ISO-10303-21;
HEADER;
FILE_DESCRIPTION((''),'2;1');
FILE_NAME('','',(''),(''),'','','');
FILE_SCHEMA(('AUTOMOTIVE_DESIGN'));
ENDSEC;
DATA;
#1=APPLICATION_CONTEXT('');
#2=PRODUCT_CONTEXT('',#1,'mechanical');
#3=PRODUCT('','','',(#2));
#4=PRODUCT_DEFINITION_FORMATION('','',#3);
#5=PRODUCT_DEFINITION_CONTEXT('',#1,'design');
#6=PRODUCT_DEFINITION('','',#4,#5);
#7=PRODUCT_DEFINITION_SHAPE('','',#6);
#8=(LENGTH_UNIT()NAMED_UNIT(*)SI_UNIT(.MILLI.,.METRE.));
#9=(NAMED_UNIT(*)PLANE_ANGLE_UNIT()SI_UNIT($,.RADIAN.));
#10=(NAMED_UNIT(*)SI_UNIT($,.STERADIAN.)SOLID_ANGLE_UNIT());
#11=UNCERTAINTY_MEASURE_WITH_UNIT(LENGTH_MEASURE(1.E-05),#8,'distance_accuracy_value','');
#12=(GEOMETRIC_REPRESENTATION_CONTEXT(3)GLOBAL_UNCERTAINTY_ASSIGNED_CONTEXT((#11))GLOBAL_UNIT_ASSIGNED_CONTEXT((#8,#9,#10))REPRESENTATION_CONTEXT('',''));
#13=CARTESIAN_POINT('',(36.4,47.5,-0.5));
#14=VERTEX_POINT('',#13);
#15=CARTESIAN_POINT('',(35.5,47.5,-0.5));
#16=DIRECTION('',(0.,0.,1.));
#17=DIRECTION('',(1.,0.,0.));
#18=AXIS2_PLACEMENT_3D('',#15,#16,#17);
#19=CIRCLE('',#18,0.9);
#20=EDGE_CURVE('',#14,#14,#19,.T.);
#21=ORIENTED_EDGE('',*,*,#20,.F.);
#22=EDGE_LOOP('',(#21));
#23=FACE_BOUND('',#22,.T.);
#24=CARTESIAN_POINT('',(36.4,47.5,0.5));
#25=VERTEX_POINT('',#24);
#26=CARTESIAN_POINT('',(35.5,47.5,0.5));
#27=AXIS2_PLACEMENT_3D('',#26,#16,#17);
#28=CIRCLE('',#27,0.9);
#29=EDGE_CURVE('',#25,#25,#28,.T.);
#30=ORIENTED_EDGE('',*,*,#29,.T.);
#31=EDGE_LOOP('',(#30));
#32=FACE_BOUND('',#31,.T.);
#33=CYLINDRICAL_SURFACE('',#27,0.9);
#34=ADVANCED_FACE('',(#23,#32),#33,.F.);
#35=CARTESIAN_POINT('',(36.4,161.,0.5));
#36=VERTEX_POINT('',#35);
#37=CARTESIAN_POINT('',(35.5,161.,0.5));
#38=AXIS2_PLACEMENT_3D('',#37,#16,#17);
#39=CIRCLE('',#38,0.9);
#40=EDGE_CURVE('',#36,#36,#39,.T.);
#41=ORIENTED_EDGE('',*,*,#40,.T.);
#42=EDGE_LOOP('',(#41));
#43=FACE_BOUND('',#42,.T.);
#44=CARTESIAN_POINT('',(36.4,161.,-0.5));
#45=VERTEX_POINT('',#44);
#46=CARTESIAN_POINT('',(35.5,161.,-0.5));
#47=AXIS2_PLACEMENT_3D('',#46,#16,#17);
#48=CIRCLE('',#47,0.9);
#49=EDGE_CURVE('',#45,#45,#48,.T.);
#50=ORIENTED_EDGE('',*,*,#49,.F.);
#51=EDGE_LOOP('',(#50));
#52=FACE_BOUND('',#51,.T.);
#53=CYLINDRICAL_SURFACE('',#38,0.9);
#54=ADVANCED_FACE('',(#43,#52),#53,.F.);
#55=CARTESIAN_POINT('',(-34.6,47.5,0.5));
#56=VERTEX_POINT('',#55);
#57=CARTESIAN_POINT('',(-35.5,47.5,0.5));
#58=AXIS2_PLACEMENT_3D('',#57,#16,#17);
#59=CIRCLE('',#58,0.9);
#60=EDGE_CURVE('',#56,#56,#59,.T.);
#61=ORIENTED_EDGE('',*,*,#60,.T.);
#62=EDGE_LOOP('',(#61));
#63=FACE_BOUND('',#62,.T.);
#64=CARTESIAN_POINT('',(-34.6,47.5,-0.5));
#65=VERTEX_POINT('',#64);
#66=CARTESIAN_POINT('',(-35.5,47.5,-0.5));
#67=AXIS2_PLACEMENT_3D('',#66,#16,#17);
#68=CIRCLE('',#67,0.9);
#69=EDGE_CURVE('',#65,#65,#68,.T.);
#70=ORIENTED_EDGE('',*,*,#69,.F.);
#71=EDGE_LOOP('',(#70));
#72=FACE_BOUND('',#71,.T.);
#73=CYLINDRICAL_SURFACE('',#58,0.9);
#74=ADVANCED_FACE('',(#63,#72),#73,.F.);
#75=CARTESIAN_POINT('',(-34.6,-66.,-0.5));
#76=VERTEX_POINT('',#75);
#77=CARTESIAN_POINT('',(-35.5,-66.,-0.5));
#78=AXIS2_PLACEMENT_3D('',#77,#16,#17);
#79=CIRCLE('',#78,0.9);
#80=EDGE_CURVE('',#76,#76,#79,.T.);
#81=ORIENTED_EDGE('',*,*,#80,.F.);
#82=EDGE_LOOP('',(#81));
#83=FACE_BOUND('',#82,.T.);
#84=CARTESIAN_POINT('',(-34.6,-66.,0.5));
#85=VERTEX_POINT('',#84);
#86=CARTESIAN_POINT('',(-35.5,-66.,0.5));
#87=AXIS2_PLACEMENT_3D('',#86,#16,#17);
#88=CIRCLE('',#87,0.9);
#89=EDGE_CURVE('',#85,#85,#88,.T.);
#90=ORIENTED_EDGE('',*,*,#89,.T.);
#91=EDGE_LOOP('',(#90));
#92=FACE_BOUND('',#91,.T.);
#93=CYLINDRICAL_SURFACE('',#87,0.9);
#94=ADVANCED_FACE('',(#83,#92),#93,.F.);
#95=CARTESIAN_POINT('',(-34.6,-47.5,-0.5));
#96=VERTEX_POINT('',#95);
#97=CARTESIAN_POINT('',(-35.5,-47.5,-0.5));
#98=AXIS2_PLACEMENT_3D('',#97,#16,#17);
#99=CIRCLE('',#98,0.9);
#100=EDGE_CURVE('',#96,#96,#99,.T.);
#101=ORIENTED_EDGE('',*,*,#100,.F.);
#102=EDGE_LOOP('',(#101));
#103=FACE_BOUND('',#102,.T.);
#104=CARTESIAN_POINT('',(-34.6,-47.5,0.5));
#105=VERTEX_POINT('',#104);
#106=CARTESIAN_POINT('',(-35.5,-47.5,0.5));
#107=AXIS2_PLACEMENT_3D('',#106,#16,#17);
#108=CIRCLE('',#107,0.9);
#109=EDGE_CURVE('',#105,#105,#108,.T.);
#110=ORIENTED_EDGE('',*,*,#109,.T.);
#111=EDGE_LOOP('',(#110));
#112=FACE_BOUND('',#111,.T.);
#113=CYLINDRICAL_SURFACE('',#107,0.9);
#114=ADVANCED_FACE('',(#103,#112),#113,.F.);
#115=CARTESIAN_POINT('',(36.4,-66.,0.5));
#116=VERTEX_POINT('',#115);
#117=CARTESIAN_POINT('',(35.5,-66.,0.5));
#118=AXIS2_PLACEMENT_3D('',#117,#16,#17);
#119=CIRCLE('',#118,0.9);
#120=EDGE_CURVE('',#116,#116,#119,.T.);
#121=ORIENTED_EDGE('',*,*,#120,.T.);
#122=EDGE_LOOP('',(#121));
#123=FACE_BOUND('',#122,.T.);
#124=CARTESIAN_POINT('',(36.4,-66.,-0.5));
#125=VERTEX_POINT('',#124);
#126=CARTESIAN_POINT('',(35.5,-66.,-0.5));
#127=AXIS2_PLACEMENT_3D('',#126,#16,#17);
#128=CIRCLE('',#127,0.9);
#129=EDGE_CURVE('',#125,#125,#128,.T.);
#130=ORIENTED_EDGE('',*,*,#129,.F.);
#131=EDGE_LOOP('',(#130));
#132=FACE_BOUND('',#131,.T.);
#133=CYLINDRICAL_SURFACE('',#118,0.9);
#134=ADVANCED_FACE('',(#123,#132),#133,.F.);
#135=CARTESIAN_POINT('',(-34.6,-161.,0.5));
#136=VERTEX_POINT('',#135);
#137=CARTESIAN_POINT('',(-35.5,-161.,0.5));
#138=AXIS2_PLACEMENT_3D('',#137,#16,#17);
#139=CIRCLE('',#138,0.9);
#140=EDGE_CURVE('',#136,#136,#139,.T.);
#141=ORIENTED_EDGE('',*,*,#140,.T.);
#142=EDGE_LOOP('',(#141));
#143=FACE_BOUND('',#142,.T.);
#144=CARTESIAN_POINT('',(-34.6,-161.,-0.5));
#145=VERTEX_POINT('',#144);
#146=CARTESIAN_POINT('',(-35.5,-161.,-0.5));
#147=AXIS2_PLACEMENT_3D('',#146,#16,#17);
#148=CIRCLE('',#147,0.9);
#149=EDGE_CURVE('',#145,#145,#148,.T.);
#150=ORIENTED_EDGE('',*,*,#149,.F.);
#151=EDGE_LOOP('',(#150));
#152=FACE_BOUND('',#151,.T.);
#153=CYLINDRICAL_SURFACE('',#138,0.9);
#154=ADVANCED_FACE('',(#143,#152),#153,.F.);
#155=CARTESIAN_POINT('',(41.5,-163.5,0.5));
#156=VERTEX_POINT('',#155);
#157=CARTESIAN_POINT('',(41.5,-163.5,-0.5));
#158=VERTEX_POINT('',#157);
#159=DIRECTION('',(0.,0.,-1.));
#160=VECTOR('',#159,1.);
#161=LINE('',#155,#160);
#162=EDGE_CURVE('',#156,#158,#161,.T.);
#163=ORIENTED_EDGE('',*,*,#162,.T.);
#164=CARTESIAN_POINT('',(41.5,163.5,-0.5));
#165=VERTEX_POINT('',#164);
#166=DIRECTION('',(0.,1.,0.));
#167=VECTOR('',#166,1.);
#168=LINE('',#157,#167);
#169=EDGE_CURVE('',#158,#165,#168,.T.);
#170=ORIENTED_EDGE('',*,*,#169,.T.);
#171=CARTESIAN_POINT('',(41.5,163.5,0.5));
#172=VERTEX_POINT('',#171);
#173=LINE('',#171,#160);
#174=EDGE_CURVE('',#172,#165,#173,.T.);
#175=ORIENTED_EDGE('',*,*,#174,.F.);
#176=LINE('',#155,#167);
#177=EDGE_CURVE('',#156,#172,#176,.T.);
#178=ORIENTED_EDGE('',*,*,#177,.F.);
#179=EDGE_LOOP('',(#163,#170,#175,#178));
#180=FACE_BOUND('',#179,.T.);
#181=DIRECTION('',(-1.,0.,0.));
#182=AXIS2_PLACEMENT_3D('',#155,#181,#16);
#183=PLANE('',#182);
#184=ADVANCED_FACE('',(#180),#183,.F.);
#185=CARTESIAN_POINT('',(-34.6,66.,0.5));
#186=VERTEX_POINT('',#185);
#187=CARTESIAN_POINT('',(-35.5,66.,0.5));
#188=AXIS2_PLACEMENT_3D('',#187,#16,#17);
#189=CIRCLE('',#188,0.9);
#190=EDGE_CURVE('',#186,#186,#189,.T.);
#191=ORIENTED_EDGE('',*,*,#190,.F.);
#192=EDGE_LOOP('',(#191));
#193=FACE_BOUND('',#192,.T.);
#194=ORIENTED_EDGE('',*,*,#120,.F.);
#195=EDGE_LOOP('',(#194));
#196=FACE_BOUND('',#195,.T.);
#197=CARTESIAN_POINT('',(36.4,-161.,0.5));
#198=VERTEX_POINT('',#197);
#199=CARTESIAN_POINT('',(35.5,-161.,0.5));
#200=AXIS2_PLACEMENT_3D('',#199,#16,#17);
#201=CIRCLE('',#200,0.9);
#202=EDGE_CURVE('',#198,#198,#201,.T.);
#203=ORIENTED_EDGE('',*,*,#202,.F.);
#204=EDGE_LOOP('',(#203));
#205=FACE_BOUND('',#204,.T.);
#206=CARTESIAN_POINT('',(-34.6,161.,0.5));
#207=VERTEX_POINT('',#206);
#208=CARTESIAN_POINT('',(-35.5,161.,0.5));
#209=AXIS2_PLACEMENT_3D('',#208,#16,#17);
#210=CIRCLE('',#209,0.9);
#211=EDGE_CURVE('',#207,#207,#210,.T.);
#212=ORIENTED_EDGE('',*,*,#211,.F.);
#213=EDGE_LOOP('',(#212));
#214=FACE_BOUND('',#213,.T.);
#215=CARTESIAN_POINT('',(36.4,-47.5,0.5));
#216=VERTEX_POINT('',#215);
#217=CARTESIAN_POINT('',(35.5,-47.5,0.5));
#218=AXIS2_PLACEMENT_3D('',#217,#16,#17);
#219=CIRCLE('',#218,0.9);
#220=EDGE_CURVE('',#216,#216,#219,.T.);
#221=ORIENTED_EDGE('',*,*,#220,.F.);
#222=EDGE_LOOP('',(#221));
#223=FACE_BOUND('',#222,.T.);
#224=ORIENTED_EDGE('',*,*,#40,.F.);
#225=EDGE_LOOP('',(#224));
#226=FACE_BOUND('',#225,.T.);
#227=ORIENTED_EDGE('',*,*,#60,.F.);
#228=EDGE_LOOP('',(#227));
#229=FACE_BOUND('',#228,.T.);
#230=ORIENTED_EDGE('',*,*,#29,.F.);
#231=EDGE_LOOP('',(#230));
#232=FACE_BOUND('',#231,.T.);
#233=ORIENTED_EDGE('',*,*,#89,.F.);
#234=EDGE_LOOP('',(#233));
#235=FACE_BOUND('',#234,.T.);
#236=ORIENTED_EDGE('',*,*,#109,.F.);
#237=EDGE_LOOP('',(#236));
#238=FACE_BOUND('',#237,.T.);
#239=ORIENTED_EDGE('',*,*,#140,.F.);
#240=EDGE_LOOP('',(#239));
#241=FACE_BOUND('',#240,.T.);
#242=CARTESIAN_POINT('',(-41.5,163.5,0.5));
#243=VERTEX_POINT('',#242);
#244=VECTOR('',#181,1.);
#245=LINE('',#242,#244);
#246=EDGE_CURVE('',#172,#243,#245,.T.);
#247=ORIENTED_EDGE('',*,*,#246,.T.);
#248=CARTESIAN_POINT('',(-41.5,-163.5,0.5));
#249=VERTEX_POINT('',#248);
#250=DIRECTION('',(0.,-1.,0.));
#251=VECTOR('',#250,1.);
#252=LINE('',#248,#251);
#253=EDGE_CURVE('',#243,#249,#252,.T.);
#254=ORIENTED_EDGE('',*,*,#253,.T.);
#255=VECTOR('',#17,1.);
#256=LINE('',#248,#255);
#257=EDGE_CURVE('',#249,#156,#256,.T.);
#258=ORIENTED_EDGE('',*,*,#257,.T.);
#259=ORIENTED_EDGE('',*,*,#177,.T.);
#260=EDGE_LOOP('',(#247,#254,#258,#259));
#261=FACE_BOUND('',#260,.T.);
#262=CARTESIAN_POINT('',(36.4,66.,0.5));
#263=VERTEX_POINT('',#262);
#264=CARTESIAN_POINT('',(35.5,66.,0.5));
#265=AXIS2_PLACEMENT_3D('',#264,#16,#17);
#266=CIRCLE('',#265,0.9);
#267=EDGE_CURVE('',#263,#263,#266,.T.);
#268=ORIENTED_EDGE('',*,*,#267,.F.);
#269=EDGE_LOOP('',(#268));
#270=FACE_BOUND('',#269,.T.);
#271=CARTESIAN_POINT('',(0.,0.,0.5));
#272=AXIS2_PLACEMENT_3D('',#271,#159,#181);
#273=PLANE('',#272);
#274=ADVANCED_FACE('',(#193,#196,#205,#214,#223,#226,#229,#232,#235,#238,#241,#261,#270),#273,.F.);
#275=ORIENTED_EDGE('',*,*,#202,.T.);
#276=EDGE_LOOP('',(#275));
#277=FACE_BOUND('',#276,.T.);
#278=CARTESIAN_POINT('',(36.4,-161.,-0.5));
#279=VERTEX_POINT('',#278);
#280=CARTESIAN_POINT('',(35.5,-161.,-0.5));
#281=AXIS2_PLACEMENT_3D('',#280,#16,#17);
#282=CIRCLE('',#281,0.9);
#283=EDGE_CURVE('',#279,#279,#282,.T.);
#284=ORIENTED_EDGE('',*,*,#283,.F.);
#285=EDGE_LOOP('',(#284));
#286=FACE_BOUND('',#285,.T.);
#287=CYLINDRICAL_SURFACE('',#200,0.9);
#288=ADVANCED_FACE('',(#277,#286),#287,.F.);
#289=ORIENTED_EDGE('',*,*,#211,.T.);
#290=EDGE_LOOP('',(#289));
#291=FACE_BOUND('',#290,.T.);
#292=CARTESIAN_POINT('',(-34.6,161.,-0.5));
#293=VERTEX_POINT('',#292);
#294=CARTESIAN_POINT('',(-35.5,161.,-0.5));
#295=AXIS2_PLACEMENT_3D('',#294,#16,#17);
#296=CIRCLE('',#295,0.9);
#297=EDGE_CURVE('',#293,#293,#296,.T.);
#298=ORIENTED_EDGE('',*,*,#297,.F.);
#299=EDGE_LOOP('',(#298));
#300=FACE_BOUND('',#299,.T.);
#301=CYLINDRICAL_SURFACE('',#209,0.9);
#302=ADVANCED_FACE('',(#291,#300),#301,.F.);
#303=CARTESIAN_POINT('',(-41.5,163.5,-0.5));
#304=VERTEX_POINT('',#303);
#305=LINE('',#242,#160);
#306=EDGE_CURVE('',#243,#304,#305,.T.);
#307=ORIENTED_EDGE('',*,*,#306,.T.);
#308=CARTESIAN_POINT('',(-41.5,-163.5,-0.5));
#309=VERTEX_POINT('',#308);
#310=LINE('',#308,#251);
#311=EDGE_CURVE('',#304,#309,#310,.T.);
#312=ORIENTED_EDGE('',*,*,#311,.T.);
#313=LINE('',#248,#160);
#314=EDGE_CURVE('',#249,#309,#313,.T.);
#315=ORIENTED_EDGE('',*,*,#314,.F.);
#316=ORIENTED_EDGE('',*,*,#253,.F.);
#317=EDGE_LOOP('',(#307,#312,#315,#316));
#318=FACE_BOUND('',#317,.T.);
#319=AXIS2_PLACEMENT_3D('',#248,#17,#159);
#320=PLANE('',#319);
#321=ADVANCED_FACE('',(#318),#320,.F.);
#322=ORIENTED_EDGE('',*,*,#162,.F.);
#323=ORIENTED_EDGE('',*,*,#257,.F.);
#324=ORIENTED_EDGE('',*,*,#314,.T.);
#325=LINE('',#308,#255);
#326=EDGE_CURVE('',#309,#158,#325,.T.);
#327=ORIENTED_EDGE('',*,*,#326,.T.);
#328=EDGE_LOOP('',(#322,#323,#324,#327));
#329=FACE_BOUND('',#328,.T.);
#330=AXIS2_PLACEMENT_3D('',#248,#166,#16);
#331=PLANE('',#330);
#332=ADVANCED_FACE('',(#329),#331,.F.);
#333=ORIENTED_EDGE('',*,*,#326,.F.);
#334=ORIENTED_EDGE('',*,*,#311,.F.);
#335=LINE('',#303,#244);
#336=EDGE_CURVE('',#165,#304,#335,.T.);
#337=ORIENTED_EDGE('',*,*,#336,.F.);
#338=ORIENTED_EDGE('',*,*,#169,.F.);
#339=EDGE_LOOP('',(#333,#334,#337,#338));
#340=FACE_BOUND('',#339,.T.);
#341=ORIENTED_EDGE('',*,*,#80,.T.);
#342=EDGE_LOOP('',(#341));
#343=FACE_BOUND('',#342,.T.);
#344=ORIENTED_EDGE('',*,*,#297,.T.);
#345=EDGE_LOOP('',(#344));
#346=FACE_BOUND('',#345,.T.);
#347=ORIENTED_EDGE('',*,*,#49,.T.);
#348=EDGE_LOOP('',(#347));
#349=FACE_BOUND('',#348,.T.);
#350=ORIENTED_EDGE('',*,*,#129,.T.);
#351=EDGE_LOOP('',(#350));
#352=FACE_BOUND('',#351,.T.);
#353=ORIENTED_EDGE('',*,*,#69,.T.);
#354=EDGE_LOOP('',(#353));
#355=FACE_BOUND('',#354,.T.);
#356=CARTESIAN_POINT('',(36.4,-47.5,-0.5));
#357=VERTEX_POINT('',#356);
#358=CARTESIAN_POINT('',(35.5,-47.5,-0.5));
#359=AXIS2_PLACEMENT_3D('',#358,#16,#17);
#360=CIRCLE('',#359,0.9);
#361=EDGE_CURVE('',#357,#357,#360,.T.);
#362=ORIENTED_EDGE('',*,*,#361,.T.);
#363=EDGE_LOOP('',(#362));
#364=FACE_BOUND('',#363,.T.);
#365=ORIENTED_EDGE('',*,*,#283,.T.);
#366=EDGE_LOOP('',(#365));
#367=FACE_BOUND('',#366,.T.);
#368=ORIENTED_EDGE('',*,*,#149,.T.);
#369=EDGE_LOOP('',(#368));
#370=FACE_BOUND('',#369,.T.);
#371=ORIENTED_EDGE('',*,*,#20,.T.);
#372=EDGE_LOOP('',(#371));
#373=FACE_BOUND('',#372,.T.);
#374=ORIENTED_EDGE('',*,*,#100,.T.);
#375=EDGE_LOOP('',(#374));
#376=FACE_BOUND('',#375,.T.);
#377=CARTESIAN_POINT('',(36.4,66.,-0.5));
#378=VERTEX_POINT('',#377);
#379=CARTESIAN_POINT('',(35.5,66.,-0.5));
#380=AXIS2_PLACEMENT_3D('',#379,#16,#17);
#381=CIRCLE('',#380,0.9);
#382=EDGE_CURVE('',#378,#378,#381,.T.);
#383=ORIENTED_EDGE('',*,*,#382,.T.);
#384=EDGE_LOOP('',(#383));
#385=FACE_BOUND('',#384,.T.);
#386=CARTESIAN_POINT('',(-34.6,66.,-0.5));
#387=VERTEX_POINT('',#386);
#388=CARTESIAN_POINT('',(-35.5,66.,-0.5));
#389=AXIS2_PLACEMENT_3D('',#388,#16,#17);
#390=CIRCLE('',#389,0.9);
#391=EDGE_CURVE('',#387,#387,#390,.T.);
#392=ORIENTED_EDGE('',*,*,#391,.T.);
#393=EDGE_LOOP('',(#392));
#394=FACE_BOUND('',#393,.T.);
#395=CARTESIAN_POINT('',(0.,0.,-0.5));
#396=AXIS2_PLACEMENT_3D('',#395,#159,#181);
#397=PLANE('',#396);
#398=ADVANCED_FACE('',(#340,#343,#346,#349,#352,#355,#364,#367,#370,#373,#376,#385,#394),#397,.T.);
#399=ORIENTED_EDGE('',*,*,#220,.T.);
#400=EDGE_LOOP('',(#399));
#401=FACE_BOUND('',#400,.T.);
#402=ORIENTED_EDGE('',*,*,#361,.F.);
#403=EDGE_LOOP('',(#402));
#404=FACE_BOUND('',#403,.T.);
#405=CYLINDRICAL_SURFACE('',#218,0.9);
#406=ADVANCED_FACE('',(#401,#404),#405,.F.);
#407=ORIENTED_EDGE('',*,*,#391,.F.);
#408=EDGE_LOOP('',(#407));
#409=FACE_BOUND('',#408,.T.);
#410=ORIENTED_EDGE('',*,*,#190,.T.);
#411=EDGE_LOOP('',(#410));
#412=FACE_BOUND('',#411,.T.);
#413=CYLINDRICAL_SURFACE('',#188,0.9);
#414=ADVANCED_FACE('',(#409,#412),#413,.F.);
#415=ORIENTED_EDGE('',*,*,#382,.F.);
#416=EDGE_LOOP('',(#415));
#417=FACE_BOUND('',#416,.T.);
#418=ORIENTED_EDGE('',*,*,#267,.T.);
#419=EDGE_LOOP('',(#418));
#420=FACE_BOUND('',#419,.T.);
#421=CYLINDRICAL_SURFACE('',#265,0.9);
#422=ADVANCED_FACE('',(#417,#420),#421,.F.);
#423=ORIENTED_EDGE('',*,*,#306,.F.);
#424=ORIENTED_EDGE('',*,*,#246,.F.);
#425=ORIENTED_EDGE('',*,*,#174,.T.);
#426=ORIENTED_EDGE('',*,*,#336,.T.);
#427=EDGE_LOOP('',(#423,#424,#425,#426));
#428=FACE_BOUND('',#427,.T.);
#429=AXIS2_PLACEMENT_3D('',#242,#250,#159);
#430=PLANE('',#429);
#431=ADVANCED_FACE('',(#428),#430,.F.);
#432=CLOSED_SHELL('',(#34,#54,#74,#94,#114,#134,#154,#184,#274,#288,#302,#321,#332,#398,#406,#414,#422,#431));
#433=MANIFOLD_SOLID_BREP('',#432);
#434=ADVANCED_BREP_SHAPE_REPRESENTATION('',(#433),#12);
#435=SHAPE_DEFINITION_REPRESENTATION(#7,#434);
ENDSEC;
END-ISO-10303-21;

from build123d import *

# Parameters (mm, degrees)
SKETCH1_W              = 83
SKETCH1_H              = 327
BOSS_EXTRUDE1_DEPTH    = 0.5
M1_6_CLEARANCE_HOLE1_D = 1.8


with BuildPart() as part:
    # Sketch1 → Boss-Extrude1 (new, symmetric)
    with BuildSketch(Plane.XY):
        Rectangle(SKETCH1_W, SKETCH1_H)
    extrude(amount=BOSS_EXTRUDE1_DEPTH, both=True)

    # M1.6 Clearance Hole1 (through all)
    with Locations(Plane.XY.offset(0.5)):
        with Locations((-35.5, 161), (35.5, 161), (-35.5, 66), (35.5, 66), (-35.5, 47.5), (35.5, 47.5), (-35.5, -47.5), (35.5, -47.5), (-35.5, -66), (35.5, -66), (-35.5, -161), (35.5, -161)):
            Hole(M1_6_CLEARANCE_HOLE1_D / 2)


solid = part.part
